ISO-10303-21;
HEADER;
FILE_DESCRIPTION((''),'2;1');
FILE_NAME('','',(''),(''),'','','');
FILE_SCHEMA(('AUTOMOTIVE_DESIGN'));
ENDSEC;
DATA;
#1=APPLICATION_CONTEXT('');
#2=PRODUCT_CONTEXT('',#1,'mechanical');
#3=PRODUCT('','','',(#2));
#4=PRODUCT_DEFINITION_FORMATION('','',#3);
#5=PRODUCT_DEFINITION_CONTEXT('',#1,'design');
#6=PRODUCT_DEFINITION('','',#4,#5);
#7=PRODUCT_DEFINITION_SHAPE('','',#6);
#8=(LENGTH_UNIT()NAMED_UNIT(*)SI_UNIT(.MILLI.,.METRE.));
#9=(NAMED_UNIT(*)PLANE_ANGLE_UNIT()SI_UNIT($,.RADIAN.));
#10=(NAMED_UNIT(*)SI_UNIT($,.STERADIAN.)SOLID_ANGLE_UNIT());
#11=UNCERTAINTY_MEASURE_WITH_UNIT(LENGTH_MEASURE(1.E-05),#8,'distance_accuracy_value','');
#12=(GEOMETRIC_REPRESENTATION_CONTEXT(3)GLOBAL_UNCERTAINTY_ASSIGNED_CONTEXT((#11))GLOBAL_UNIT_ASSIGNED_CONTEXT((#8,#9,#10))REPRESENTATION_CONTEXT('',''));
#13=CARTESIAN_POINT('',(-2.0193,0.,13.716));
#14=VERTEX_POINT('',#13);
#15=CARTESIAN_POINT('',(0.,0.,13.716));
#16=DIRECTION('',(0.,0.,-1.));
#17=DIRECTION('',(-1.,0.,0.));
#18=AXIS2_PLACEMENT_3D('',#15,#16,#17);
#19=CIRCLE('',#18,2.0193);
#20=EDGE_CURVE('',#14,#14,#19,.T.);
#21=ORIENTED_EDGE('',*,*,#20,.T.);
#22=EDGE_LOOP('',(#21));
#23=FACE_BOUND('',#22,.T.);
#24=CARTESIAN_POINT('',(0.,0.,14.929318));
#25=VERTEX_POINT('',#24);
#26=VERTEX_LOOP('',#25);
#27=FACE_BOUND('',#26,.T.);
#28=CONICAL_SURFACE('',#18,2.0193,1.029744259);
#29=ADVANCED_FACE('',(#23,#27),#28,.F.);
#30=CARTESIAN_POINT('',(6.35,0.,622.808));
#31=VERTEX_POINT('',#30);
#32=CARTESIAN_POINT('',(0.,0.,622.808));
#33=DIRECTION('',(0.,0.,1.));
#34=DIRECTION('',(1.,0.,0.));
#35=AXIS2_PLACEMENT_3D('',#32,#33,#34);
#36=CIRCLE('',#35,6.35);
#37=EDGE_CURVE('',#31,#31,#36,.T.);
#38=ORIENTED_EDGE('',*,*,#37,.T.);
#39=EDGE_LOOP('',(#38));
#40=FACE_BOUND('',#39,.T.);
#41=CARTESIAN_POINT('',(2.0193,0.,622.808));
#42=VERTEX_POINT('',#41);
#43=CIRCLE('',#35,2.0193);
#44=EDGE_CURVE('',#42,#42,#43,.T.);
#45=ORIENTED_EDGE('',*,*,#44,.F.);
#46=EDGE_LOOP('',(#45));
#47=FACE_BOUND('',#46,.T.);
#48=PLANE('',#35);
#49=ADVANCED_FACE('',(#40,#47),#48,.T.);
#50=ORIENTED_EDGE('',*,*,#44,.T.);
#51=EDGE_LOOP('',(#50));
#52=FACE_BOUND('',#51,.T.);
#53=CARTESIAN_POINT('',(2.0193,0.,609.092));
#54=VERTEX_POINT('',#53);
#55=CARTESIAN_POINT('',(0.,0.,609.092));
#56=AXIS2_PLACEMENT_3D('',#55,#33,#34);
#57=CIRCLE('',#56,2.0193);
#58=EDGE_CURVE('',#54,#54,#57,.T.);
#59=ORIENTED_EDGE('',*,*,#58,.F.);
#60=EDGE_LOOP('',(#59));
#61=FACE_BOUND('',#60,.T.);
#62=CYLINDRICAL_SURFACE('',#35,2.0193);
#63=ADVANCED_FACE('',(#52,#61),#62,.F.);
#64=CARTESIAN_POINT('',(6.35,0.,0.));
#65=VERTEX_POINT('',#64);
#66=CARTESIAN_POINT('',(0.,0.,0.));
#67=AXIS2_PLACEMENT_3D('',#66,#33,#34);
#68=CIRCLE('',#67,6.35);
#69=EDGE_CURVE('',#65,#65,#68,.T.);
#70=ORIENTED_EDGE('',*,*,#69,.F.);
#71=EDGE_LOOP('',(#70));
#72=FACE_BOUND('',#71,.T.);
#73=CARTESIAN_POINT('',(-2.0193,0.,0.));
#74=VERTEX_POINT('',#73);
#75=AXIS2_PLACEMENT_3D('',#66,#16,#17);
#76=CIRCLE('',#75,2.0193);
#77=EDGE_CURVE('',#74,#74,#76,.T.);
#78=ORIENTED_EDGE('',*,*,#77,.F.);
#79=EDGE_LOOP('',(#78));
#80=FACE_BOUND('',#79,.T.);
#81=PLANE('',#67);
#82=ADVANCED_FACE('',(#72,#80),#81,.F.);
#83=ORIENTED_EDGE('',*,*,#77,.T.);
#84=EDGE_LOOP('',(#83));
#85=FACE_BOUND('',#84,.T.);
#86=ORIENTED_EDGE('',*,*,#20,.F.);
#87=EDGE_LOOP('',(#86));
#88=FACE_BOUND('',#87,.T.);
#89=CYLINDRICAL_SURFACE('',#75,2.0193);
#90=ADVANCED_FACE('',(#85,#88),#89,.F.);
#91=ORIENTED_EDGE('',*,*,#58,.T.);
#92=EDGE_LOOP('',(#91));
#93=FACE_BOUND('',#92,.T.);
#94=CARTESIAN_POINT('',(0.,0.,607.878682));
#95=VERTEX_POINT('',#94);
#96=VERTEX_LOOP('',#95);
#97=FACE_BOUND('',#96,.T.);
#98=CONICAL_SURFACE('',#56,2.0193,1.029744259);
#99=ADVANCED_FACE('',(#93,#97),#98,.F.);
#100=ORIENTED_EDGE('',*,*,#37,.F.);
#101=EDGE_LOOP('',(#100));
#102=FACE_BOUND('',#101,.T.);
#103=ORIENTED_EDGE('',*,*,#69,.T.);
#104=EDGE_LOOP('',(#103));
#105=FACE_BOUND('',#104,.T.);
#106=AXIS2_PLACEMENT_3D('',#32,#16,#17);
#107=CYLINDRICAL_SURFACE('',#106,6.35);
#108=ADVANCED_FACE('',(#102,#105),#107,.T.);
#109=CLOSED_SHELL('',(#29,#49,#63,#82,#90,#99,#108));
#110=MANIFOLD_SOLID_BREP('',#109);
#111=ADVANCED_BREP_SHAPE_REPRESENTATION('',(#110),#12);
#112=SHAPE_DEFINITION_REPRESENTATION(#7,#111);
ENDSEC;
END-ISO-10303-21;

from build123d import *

# Parameters (mm, degrees)
SKETCH1_R                  = 6.35
BOSS_EXTRUDE1_DEPTH        = 622.808
F_10_32_TAPPED_HOLE1_D     = 4.0386
F_10_32_TAPPED_HOLE1_DEPTH = 13.716
F_10_32_TAPPED_HOLE1_TIP   = 1.213317848
F_10_32_TAPPED_HOLE2_D     = 4.0386
F_10_32_TAPPED_HOLE2_DEPTH = 13.716
F_10_32_TAPPED_HOLE2_TIP   = 1.213317848


with BuildPart() as part:
    # Sketch1 → Boss-Extrude1 (new body)
    with BuildSketch(Plane.XY):
        Circle(SKETCH1_R)
    extrude(amount=BOSS_EXTRUDE1_DEPTH)

    # #10-32 Tapped Hole1
    with Locations(Plane.XY.offset(622.808)):
        with Locations((0, 0)):
            Hole(F_10_32_TAPPED_HOLE1_D / 2, depth=F_10_32_TAPPED_HOLE1_DEPTH)
            with Locations((0, 0, -(F_10_32_TAPPED_HOLE1_DEPTH + F_10_32_TAPPED_HOLE1_TIP / 2))):  # 118° drill point
                Cone(0, F_10_32_TAPPED_HOLE1_D / 2, F_10_32_TAPPED_HOLE1_TIP, mode=Mode.SUBTRACT)

    # #10-32 Tapped Hole2
    with Locations(Plane(origin=(0, 0, 0), x_dir=(-1, 0, 0), z_dir=(0, 0, -1))):
        with Locations((0, 0)):
            Hole(F_10_32_TAPPED_HOLE2_D / 2, depth=F_10_32_TAPPED_HOLE2_DEPTH)
            with Locations((0, 0, -(F_10_32_TAPPED_HOLE2_DEPTH + F_10_32_TAPPED_HOLE2_TIP / 2))):  # 118° drill point
                Cone(0, F_10_32_TAPPED_HOLE2_D / 2, F_10_32_TAPPED_HOLE2_TIP, mode=Mode.SUBTRACT)


solid = part.part
